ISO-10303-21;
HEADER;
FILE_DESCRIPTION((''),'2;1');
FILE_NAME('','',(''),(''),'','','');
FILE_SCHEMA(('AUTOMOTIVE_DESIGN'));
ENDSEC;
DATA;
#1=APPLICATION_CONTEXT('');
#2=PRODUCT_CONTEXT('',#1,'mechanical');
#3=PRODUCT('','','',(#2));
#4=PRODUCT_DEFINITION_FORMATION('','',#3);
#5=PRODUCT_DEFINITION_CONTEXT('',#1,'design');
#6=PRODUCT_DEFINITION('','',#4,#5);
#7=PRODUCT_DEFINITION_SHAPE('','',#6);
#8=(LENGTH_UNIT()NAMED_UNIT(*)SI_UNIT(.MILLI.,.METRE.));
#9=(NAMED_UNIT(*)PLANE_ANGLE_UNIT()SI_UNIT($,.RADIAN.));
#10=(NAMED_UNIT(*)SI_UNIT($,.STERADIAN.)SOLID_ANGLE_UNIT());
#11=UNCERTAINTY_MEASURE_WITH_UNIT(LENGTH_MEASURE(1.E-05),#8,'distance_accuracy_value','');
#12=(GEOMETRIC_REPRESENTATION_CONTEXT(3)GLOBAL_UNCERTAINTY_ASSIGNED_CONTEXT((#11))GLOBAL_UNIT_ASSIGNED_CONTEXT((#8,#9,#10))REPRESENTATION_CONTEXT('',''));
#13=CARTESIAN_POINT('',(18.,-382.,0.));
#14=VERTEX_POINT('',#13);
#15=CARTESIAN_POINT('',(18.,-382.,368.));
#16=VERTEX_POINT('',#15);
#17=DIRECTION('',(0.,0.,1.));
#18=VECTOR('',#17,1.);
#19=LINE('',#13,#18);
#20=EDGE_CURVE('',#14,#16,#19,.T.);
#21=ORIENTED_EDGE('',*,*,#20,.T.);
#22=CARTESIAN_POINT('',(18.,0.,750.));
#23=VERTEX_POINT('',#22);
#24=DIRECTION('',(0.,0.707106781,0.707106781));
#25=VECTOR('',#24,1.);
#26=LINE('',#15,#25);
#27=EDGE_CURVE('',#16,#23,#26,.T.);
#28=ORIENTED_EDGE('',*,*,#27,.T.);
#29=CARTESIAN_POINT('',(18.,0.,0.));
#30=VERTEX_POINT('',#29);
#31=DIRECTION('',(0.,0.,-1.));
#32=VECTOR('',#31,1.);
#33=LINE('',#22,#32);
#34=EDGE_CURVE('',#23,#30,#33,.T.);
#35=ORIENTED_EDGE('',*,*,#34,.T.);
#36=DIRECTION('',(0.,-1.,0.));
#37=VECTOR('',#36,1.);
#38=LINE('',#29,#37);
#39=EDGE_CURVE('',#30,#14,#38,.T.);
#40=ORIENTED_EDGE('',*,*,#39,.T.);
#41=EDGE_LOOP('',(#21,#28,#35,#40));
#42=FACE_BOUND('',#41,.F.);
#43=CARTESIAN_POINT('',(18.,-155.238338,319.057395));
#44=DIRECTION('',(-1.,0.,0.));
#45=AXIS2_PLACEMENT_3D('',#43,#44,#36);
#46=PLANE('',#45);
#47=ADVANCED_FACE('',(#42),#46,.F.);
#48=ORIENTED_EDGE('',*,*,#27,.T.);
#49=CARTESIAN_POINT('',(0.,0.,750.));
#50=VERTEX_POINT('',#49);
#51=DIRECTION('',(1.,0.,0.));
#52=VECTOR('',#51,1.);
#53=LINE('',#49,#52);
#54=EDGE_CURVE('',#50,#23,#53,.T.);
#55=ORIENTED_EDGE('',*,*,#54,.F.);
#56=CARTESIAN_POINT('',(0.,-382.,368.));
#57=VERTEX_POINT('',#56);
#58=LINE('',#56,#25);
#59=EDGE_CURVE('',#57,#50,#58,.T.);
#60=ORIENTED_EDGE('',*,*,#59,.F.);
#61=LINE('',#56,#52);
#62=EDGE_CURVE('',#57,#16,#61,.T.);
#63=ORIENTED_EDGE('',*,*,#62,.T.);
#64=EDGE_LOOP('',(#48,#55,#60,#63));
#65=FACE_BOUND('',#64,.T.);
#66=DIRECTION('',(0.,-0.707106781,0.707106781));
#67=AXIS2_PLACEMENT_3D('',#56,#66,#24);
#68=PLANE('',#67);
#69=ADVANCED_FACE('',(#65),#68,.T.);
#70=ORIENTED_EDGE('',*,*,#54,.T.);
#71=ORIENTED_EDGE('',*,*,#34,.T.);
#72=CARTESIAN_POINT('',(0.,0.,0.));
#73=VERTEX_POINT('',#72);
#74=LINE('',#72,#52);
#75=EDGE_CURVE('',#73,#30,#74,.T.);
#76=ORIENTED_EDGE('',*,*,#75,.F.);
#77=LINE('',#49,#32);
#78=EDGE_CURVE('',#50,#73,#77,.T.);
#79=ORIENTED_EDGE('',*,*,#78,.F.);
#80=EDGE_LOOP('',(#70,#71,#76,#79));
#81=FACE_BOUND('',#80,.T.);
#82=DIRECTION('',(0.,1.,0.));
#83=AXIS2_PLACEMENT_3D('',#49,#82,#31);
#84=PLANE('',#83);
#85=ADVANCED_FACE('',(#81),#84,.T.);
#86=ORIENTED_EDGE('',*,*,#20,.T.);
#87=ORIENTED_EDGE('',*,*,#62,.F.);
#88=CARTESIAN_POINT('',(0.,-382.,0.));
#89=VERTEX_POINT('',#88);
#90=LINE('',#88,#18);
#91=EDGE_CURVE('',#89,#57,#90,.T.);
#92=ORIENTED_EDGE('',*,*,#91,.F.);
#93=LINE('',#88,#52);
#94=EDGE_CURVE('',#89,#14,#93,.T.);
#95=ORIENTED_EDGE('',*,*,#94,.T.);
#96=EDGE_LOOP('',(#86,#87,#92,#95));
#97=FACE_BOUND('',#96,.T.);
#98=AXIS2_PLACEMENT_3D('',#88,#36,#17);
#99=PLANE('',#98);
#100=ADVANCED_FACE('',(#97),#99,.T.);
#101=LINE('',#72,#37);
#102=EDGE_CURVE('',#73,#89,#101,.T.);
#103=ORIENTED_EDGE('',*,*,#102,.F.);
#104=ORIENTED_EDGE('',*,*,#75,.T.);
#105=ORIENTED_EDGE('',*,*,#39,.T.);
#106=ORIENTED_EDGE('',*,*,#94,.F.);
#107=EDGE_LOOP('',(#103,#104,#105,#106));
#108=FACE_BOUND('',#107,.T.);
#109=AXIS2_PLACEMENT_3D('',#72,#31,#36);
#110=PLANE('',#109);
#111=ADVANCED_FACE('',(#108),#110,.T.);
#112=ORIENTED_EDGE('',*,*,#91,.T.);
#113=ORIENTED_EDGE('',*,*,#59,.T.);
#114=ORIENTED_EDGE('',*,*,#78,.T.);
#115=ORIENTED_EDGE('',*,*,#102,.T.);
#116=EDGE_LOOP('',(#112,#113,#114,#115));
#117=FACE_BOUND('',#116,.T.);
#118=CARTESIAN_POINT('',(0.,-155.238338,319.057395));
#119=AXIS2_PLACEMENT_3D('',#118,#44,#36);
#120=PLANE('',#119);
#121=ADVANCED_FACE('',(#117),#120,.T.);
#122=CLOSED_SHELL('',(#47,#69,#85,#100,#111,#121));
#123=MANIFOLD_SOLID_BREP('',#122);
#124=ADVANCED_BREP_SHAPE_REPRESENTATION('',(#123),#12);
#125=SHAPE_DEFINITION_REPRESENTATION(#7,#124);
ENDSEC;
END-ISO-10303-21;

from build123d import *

# Parameters (mm, degrees)
PAD_DEPTH = 18


with BuildPart() as part:
    # Sketch → Pad (new body)
    with BuildSketch(Plane.YZ):
        Polygon((0, 0), (-382, 0), (-382, 368), (0, 750), align=None)
    extrude(amount=PAD_DEPTH)


solid = part.part
